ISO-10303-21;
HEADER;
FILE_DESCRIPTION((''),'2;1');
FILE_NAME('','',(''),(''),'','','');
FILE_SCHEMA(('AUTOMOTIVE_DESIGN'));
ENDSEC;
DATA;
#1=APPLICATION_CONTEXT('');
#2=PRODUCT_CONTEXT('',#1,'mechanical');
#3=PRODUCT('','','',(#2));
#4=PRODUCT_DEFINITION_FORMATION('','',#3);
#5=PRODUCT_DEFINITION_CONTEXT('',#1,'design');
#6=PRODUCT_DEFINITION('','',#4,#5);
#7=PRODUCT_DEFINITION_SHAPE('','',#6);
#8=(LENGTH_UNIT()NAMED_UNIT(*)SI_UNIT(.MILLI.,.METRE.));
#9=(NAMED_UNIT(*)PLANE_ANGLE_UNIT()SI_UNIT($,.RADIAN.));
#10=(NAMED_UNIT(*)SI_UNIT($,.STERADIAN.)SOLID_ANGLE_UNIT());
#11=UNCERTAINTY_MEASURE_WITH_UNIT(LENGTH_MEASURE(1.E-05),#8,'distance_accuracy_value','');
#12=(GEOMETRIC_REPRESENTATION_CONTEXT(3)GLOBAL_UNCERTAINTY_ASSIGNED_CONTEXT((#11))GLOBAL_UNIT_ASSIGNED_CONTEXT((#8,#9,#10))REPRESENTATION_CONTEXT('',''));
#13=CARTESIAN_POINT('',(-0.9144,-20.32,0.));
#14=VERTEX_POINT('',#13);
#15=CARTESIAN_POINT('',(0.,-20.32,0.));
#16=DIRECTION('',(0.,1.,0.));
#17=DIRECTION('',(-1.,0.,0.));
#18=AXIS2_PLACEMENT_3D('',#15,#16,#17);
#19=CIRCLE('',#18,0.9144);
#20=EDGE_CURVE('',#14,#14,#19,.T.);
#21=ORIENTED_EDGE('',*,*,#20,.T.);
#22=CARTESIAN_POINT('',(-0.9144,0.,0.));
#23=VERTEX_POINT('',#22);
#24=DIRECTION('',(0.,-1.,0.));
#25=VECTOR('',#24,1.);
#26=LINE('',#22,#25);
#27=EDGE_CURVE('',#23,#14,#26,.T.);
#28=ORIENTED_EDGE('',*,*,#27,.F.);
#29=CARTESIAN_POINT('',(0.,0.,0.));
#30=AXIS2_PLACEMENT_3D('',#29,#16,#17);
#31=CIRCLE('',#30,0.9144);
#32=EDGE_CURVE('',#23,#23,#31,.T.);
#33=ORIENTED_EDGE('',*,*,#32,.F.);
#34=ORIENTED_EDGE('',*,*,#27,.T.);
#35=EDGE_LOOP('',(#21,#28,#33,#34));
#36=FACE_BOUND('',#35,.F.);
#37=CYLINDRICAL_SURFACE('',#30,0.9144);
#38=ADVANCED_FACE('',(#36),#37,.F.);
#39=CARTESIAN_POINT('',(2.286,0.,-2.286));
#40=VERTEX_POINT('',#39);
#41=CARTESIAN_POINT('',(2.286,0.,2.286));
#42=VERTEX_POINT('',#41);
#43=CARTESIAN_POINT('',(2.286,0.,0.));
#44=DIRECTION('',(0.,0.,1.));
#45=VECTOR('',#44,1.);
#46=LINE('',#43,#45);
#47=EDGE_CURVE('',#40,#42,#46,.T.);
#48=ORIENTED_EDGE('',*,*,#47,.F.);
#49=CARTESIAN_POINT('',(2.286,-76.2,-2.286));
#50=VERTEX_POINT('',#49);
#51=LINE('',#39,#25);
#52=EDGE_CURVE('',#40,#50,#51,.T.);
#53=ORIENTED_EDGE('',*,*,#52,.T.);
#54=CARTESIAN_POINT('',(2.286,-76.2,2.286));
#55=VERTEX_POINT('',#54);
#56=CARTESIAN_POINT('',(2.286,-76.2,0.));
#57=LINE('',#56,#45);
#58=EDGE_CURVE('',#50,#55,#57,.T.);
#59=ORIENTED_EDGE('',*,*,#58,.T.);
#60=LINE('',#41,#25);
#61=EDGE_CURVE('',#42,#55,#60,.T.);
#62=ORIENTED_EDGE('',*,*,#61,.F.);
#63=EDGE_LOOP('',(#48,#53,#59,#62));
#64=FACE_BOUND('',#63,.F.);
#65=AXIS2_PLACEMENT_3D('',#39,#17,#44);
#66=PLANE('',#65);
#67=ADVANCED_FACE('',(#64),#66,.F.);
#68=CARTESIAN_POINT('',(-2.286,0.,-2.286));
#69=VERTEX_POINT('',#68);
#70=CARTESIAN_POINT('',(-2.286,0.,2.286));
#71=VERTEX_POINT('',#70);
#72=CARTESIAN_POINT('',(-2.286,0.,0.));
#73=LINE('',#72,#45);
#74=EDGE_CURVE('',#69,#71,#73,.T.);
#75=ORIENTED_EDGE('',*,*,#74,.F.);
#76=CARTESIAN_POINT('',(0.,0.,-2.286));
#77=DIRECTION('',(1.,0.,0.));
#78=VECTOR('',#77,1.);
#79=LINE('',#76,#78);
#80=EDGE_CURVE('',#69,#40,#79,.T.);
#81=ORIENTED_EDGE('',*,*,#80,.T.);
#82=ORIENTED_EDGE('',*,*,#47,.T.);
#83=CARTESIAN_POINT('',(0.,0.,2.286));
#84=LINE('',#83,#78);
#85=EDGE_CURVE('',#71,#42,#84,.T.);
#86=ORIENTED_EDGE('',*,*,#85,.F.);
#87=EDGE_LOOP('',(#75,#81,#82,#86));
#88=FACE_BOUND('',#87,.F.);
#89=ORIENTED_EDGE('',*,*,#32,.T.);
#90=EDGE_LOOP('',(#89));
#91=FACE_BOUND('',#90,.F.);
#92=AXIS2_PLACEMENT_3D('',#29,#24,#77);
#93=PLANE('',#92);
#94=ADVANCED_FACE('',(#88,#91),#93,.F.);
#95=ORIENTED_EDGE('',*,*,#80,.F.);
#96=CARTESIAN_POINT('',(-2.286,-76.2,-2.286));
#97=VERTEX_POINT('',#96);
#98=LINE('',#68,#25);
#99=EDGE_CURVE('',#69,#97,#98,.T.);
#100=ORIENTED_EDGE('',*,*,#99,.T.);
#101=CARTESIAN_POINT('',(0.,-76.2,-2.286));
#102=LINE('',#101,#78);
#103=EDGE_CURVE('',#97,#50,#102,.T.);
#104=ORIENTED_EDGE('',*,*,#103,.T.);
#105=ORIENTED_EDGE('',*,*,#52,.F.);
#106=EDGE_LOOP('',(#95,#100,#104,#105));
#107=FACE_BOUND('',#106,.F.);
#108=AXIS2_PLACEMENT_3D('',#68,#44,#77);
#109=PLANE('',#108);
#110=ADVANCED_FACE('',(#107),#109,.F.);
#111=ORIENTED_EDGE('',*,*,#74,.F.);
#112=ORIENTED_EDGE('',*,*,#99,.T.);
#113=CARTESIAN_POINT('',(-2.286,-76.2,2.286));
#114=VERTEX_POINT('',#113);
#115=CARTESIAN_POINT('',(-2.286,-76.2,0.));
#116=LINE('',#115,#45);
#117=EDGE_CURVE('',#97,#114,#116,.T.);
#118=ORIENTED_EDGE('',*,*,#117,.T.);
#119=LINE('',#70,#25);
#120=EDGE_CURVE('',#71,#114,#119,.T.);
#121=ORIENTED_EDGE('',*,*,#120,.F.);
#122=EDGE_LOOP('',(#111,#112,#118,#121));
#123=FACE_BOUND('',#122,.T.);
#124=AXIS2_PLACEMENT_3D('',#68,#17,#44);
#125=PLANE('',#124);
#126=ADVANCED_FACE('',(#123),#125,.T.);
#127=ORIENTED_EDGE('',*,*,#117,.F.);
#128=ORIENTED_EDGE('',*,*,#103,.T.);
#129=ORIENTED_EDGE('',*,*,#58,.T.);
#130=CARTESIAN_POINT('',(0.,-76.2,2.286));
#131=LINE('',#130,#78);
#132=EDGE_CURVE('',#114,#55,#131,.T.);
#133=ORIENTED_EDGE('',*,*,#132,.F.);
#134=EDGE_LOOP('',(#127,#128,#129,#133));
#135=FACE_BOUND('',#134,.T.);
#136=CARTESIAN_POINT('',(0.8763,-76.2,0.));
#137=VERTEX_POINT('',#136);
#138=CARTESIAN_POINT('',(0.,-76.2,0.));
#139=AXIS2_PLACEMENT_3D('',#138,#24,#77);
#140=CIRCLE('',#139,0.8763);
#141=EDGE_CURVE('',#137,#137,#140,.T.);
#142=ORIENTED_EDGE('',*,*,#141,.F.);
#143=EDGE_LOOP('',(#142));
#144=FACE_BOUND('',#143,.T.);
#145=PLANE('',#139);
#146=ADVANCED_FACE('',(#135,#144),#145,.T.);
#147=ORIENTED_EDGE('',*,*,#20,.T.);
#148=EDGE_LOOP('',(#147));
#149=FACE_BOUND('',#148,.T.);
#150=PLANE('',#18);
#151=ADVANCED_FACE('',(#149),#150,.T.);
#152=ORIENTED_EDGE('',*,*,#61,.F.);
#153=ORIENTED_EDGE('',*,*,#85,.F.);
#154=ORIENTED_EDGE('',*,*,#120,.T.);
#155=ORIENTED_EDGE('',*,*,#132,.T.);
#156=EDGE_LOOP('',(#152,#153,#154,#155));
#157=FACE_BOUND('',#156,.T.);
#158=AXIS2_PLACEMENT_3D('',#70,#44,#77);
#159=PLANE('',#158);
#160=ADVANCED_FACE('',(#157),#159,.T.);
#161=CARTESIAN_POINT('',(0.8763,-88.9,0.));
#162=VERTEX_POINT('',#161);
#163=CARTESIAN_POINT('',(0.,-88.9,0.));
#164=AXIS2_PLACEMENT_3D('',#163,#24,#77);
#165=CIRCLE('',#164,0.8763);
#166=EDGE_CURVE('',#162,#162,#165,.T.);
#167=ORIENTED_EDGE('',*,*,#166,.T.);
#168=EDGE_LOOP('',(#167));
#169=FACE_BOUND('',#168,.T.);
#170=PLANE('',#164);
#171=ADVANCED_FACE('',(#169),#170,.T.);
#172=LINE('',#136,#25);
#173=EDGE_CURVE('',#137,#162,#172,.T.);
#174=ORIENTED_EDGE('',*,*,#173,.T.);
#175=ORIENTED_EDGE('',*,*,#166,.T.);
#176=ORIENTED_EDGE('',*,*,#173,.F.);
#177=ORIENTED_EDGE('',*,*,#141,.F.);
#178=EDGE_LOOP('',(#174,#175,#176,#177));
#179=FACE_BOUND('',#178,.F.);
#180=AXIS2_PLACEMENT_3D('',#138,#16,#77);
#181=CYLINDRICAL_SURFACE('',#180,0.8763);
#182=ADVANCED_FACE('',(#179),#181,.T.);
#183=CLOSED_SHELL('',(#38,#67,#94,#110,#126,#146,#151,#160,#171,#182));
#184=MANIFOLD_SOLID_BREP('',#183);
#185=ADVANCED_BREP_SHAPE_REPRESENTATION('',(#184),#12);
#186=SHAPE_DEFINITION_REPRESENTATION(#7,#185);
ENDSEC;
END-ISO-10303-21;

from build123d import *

# Parameters (mm, degrees)
F0_W     = 4.572
F0_H     = 4.572
F1_DEPTH = 76.2
F2_R     = 0.8763
F3_DEPTH = 12.7
F4_R     = 0.9144
F5_DEPTH = 20.32


with BuildPart() as f1:
    # F0 (on Front) → F1 (new body)
    with BuildSketch(Plane.XZ):
        Rectangle(F0_W, F0_H)
    extrude(amount=F1_DEPTH)

    # F2 (on face) → F3 (join)
    with BuildSketch(Plane.XZ.offset(76.2)):
        Circle(F2_R)
    extrude(amount=F3_DEPTH)

    # F4 (on face) → F5 (cut)
    with BuildSketch(Plane(origin=(0, 0, 0), x_dir=(-1, 0, 0), z_dir=(0, 1, 0))):
        Circle(F4_R)
    extrude(amount=-F5_DEPTH, mode=Mode.SUBTRACT)


solid = f1.part
